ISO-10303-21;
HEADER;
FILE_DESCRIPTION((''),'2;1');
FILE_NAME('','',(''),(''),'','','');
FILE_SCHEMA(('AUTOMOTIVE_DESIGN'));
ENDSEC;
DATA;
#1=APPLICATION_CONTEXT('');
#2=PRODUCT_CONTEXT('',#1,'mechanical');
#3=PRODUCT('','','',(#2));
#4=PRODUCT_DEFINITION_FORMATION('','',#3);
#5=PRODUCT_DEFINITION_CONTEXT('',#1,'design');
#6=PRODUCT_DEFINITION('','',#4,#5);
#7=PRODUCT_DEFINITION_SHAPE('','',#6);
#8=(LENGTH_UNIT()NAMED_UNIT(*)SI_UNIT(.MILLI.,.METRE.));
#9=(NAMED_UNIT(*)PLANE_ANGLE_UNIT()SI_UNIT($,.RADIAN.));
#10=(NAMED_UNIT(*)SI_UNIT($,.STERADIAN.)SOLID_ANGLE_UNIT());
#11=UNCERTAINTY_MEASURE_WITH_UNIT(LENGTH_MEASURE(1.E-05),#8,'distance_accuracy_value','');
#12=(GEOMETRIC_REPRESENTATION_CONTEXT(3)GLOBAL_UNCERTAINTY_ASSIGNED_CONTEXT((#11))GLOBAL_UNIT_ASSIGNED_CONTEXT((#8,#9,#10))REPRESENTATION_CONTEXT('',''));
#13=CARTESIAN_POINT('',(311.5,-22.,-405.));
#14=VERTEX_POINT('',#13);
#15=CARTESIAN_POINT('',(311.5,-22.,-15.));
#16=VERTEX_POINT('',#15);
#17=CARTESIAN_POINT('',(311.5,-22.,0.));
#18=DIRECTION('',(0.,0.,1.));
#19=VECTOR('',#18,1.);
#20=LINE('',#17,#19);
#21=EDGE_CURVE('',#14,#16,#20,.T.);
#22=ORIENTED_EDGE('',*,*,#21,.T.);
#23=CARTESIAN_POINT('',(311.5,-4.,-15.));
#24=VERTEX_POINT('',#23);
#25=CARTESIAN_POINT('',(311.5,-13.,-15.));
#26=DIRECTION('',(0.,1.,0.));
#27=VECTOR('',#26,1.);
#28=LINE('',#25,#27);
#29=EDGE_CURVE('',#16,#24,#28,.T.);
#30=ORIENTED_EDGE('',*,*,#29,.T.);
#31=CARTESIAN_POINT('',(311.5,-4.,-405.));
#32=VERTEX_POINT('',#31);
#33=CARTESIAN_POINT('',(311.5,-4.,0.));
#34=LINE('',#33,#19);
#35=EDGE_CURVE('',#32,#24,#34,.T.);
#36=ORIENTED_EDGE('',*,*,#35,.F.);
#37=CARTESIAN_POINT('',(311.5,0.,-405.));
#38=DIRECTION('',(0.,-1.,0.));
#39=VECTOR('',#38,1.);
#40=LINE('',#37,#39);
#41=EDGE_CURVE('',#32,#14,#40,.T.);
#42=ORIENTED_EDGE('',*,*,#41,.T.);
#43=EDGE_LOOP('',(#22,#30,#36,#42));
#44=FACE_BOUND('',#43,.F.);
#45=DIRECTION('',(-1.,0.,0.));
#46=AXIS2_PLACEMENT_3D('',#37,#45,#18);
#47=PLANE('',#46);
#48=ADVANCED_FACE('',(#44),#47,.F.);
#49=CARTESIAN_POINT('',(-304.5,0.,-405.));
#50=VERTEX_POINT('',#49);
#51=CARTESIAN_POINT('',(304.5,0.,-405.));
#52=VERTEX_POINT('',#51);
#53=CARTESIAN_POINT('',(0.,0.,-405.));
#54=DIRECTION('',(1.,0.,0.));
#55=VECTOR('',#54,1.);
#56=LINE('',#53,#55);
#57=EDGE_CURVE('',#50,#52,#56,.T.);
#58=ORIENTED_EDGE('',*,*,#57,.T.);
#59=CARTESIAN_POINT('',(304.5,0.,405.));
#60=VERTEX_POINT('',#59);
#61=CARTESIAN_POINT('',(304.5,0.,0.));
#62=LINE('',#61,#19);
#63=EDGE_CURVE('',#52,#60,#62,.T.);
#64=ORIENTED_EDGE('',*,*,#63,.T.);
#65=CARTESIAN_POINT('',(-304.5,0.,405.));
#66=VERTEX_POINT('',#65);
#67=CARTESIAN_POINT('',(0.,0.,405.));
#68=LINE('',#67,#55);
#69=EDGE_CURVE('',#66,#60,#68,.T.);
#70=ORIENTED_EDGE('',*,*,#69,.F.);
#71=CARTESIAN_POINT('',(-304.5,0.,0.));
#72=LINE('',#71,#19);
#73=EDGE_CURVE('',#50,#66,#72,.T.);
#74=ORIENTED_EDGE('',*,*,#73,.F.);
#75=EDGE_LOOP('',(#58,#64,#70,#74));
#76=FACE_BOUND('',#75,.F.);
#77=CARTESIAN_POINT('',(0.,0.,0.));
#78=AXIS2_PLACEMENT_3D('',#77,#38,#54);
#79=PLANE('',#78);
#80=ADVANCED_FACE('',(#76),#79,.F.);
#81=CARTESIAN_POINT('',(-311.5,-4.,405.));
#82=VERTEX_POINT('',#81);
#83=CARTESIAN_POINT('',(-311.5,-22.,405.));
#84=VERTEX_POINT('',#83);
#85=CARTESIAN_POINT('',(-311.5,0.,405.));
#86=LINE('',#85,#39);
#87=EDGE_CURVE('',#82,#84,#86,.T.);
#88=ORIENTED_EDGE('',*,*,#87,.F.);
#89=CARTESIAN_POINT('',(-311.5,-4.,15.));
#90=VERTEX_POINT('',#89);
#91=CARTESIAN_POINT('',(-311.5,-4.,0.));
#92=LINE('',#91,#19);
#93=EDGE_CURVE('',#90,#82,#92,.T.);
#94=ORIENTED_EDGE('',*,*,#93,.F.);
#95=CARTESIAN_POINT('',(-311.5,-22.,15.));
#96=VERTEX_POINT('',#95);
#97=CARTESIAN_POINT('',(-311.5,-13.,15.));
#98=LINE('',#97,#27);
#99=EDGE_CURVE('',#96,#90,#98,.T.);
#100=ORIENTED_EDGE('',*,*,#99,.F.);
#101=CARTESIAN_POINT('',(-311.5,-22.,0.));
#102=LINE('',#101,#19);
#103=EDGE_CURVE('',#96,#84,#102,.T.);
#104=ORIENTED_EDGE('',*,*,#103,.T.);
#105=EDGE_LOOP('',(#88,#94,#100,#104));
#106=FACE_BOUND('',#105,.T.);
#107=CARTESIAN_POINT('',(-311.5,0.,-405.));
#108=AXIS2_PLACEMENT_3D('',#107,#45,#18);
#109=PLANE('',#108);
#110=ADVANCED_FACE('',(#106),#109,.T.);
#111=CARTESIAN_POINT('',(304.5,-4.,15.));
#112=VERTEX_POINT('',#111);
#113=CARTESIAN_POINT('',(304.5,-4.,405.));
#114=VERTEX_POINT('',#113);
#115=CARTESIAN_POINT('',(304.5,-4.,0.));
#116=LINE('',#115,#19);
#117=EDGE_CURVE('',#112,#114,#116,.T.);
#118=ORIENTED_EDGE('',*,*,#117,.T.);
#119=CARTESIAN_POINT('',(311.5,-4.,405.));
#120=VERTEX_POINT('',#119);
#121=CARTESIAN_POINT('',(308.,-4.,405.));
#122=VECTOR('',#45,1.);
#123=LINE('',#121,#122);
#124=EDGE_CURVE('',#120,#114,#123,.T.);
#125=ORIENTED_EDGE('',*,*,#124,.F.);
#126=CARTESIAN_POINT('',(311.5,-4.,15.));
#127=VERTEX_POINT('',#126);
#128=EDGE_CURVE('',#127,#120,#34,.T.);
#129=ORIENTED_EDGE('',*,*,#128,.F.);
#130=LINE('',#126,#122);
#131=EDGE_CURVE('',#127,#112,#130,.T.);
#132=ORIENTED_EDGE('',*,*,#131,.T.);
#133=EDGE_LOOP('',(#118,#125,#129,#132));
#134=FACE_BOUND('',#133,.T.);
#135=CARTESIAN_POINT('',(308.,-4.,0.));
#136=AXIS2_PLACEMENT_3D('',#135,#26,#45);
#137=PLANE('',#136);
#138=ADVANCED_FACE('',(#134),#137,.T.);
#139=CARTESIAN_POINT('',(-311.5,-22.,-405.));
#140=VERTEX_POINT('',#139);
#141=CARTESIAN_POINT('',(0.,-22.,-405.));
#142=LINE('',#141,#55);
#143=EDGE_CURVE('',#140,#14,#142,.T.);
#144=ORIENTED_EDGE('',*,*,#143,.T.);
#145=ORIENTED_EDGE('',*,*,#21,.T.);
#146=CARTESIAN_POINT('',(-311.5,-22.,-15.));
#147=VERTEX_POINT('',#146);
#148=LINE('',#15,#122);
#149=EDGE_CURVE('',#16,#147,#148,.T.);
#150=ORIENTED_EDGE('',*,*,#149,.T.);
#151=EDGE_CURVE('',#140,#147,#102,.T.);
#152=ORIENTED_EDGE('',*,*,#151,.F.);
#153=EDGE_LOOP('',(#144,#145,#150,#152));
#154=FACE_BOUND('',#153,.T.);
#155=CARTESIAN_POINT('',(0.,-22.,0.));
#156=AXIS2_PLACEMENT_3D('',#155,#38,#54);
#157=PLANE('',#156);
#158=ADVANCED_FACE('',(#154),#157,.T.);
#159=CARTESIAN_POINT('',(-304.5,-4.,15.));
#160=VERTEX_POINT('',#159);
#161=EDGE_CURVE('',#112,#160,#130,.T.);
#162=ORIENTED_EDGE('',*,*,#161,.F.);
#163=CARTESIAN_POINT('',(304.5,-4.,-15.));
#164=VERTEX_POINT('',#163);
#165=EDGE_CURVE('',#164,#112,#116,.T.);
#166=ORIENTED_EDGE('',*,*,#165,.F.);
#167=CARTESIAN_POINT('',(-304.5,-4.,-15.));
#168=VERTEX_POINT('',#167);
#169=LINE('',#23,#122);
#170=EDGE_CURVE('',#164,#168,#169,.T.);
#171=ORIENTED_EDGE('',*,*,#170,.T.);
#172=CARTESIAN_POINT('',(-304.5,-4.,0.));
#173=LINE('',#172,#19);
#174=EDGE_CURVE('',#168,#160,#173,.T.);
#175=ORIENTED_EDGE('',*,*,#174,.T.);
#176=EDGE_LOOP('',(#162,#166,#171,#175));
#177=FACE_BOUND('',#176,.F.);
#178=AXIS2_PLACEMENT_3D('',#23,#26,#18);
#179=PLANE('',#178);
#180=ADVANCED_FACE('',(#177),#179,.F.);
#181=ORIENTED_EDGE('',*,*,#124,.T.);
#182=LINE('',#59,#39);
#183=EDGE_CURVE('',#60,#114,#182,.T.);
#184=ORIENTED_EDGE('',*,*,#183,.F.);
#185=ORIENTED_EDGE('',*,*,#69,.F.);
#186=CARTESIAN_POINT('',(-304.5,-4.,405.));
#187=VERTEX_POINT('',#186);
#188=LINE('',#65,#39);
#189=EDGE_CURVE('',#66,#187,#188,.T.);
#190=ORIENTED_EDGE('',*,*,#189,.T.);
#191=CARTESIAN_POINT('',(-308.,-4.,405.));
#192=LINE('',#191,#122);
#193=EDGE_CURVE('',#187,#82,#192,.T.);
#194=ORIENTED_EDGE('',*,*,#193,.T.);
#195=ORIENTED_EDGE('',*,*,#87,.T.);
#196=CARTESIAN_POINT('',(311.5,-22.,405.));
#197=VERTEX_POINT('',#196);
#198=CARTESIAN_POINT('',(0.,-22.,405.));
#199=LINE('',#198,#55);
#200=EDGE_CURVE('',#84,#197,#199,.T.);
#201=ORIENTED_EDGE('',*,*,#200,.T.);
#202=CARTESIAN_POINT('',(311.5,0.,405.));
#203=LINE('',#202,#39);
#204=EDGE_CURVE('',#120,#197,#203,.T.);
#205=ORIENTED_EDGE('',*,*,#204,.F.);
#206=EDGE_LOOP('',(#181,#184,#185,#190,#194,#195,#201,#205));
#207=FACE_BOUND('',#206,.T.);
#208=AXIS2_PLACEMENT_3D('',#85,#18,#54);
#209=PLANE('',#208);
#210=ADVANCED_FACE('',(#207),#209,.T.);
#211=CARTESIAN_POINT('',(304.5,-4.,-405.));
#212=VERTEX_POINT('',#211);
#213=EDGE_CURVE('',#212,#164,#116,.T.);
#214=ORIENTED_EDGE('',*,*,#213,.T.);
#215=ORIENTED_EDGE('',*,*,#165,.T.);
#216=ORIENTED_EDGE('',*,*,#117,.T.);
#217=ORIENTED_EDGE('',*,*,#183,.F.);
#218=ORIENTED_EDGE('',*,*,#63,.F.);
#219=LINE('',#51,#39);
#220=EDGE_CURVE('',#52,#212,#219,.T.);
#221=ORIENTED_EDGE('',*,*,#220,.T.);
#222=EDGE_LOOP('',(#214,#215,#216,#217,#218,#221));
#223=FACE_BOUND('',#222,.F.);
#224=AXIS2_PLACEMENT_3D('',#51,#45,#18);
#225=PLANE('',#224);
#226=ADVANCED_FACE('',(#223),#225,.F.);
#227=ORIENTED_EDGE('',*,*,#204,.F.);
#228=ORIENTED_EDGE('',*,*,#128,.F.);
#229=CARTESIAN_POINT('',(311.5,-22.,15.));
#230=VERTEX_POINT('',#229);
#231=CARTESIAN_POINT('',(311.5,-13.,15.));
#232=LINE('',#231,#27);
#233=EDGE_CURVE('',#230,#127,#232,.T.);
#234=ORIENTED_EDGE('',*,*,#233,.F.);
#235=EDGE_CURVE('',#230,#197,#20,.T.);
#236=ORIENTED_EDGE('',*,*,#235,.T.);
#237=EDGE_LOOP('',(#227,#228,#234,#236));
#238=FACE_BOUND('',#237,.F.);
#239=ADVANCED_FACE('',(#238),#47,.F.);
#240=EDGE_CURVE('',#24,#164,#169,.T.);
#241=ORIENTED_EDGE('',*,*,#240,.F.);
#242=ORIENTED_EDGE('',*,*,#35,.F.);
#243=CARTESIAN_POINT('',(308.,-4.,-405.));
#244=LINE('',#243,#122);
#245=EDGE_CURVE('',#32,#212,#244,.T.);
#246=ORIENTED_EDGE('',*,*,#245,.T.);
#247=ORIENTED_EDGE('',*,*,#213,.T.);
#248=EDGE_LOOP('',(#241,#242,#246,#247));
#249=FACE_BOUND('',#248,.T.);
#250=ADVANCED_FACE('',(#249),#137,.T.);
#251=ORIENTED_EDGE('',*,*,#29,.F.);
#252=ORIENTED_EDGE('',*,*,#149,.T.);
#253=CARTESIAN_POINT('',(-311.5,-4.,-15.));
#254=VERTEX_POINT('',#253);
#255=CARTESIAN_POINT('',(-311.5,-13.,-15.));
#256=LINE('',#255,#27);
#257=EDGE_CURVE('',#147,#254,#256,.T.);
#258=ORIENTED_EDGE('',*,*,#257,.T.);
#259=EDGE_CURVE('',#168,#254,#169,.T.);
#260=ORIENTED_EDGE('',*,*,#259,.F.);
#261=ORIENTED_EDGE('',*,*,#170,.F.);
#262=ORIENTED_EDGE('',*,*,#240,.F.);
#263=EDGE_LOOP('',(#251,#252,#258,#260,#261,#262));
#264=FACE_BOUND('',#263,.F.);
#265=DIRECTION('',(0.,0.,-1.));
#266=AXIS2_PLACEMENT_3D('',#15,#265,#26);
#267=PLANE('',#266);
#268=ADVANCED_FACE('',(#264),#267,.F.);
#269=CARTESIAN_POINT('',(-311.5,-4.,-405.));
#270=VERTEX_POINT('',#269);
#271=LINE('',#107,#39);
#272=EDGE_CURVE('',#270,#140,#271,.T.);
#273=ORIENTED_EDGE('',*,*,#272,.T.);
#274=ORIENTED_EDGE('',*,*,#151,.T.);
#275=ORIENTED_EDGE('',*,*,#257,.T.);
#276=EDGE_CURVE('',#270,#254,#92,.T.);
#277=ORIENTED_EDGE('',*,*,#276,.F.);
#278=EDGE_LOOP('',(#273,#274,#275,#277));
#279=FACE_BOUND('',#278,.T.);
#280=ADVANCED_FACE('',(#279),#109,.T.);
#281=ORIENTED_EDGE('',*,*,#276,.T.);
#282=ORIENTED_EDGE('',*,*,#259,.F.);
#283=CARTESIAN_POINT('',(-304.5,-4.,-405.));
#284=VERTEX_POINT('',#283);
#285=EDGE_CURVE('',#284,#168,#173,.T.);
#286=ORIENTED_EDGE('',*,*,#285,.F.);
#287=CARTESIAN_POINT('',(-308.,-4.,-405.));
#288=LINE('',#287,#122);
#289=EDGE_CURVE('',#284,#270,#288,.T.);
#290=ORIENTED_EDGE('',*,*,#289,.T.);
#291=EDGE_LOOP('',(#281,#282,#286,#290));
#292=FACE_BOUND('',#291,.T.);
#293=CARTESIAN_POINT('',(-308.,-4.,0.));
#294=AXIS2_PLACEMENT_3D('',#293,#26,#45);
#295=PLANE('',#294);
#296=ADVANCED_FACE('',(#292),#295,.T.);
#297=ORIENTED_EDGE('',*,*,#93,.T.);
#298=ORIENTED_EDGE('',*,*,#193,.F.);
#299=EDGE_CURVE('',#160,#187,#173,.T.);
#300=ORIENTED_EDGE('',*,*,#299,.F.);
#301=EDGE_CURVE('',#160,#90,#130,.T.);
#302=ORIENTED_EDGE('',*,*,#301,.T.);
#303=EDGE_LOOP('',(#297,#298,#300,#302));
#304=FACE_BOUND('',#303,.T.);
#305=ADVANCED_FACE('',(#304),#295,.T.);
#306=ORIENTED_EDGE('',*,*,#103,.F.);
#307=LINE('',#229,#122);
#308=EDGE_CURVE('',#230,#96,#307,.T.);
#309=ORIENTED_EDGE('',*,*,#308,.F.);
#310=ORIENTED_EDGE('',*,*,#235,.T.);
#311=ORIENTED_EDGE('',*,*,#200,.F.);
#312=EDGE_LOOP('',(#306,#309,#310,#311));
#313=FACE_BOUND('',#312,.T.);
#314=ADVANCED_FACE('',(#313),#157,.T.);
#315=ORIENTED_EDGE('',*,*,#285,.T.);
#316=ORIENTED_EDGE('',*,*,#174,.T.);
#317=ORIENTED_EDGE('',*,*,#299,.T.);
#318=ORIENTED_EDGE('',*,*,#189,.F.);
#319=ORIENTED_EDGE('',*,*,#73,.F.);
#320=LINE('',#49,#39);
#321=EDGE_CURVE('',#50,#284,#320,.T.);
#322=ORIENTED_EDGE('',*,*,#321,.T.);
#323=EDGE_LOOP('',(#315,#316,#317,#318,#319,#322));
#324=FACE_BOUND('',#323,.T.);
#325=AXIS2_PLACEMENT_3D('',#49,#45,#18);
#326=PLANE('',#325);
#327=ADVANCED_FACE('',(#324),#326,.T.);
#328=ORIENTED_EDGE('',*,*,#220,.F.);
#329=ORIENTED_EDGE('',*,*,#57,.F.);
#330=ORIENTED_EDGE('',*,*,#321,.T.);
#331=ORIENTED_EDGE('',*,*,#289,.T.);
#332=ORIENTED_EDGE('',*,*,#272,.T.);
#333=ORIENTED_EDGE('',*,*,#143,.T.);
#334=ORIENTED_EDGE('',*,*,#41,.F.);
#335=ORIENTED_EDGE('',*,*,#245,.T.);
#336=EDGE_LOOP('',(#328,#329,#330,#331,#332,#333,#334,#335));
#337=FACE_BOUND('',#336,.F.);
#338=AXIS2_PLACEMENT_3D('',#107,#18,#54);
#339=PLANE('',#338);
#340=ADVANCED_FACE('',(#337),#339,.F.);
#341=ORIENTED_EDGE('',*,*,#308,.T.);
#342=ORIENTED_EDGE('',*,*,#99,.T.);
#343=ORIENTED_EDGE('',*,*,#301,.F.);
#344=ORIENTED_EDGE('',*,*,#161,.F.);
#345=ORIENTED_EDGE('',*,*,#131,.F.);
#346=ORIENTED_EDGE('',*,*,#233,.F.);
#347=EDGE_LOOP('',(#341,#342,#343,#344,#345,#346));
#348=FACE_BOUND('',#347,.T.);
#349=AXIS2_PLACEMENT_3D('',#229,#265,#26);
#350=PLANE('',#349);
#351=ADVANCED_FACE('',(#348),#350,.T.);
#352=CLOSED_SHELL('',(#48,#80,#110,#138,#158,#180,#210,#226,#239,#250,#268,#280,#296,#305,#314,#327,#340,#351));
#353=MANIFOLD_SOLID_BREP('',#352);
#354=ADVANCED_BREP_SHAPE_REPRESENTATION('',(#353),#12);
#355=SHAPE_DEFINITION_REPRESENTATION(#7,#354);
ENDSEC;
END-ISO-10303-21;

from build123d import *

# Parameters (mm, degrees)
F0_W     = 623
F0_H     = 810
F1_DEPTH = 22
F2_W     = 18
F2_H     = 30
F3_DEPTH = 623
F4_W     = 7
F4_H     = 810
F5_DEPTH = 4


with BuildPart() as f1:
    # F0 (on Front) → F1 (new body)
    with BuildSketch(Plane.XZ):
        Rectangle(F0_W, F0_H)
    extrude(amount=F1_DEPTH)

    # F2 (on face) → F3 (cut)
    with BuildSketch(Plane.YZ.offset(311.5)):
        with Locations((-13, 0)):
            Rectangle(F2_W, F2_H)
    extrude(amount=-F3_DEPTH, mode=Mode.SUBTRACT)

    # F4 (on face) → F5 (cut)
    with BuildSketch(Plane(origin=(0, 0, 0), x_dir=(-1, 0, 0), z_dir=(0, 1, 0))):
        with Locations((-308, 0)):
            Rectangle(F4_W, F4_H)
        with Locations((308, 0)):
            Rectangle(F4_W, F4_H)
    extrude(amount=-F5_DEPTH, mode=Mode.SUBTRACT)


solid = f1.part
